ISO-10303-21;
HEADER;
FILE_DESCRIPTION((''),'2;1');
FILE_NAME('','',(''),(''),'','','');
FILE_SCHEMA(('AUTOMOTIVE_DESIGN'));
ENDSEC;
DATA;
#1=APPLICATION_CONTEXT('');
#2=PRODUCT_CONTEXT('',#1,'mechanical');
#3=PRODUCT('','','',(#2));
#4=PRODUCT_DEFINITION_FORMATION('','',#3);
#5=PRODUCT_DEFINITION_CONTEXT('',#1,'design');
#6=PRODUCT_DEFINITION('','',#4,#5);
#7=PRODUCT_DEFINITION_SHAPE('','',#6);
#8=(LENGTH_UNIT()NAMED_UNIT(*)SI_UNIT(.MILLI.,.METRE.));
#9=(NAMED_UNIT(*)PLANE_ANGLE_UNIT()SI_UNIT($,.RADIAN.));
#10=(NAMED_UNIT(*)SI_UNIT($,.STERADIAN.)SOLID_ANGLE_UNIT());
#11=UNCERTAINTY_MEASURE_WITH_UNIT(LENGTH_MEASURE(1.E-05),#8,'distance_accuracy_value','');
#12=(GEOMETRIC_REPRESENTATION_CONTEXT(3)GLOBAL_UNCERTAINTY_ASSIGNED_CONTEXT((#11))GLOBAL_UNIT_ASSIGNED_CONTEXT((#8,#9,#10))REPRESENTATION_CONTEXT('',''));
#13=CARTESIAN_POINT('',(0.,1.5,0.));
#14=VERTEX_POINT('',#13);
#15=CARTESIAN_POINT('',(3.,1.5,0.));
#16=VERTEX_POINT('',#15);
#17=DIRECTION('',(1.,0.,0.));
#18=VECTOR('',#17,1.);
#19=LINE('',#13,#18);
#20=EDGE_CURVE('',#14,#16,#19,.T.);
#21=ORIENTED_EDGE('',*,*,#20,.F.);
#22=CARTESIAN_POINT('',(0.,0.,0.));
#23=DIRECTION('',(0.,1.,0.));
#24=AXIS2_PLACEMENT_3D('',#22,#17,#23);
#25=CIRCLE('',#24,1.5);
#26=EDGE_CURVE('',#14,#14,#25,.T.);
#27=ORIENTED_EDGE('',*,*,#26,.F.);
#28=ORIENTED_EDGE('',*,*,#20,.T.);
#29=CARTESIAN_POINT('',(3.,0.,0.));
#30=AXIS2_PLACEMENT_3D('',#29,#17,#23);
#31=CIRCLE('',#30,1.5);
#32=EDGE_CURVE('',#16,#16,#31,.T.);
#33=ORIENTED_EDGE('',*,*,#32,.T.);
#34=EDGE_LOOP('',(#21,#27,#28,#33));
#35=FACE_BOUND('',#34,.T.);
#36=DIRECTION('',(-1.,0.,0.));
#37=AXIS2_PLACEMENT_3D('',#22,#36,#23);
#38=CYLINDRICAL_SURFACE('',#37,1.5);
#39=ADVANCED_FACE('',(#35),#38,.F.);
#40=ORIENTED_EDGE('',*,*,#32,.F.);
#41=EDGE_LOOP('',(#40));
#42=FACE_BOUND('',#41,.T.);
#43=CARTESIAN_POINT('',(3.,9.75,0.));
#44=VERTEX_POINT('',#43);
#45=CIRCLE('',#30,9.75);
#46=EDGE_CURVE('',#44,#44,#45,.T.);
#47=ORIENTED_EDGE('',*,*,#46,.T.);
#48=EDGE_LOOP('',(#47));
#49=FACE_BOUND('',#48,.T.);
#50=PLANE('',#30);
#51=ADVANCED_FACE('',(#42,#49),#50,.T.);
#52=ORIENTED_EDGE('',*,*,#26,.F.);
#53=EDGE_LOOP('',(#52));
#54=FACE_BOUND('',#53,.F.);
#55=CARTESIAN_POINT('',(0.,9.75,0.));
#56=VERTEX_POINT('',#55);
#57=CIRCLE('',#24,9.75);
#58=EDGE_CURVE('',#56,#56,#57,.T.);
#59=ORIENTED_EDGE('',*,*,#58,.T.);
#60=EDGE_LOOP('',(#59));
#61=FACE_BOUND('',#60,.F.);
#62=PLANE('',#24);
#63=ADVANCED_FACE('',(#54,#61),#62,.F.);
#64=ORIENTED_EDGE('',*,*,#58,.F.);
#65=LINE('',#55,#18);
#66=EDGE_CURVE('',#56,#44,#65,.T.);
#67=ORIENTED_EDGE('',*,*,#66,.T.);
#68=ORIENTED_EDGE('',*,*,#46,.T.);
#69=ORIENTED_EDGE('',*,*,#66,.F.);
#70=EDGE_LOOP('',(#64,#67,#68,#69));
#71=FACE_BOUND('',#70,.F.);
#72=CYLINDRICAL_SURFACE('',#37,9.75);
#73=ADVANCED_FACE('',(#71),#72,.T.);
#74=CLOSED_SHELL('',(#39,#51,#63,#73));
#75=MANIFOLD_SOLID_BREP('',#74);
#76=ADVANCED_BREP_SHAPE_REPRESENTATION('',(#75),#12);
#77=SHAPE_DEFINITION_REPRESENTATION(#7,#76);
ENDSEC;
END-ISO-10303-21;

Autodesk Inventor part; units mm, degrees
ref_plane "YZ Plane" through (0, 0, 0) normal (1, 0, 0) x (0, 1, 0)
ref_plane "XZ Plane" through (0, 0, 0) normal (0, 1, 0) x (-1, 0, 0)
ref_plane "XY Plane" through (0, 0, 0) normal (0, 0, 1) x (1, 0, 0)
sketch "Boceto1" plane through (0, 0, 0) normal (1, 0, 0) x (0, 1, 0)
  circle A0 centre (0, 0) radius 9.75
  circle A1 centre (0, 0) radius 1.5
  dimension "d2" = 3
extrude "Extrusión1" add sketch "Boceto1" along normal blind 3
properties part number "rosquilla"
